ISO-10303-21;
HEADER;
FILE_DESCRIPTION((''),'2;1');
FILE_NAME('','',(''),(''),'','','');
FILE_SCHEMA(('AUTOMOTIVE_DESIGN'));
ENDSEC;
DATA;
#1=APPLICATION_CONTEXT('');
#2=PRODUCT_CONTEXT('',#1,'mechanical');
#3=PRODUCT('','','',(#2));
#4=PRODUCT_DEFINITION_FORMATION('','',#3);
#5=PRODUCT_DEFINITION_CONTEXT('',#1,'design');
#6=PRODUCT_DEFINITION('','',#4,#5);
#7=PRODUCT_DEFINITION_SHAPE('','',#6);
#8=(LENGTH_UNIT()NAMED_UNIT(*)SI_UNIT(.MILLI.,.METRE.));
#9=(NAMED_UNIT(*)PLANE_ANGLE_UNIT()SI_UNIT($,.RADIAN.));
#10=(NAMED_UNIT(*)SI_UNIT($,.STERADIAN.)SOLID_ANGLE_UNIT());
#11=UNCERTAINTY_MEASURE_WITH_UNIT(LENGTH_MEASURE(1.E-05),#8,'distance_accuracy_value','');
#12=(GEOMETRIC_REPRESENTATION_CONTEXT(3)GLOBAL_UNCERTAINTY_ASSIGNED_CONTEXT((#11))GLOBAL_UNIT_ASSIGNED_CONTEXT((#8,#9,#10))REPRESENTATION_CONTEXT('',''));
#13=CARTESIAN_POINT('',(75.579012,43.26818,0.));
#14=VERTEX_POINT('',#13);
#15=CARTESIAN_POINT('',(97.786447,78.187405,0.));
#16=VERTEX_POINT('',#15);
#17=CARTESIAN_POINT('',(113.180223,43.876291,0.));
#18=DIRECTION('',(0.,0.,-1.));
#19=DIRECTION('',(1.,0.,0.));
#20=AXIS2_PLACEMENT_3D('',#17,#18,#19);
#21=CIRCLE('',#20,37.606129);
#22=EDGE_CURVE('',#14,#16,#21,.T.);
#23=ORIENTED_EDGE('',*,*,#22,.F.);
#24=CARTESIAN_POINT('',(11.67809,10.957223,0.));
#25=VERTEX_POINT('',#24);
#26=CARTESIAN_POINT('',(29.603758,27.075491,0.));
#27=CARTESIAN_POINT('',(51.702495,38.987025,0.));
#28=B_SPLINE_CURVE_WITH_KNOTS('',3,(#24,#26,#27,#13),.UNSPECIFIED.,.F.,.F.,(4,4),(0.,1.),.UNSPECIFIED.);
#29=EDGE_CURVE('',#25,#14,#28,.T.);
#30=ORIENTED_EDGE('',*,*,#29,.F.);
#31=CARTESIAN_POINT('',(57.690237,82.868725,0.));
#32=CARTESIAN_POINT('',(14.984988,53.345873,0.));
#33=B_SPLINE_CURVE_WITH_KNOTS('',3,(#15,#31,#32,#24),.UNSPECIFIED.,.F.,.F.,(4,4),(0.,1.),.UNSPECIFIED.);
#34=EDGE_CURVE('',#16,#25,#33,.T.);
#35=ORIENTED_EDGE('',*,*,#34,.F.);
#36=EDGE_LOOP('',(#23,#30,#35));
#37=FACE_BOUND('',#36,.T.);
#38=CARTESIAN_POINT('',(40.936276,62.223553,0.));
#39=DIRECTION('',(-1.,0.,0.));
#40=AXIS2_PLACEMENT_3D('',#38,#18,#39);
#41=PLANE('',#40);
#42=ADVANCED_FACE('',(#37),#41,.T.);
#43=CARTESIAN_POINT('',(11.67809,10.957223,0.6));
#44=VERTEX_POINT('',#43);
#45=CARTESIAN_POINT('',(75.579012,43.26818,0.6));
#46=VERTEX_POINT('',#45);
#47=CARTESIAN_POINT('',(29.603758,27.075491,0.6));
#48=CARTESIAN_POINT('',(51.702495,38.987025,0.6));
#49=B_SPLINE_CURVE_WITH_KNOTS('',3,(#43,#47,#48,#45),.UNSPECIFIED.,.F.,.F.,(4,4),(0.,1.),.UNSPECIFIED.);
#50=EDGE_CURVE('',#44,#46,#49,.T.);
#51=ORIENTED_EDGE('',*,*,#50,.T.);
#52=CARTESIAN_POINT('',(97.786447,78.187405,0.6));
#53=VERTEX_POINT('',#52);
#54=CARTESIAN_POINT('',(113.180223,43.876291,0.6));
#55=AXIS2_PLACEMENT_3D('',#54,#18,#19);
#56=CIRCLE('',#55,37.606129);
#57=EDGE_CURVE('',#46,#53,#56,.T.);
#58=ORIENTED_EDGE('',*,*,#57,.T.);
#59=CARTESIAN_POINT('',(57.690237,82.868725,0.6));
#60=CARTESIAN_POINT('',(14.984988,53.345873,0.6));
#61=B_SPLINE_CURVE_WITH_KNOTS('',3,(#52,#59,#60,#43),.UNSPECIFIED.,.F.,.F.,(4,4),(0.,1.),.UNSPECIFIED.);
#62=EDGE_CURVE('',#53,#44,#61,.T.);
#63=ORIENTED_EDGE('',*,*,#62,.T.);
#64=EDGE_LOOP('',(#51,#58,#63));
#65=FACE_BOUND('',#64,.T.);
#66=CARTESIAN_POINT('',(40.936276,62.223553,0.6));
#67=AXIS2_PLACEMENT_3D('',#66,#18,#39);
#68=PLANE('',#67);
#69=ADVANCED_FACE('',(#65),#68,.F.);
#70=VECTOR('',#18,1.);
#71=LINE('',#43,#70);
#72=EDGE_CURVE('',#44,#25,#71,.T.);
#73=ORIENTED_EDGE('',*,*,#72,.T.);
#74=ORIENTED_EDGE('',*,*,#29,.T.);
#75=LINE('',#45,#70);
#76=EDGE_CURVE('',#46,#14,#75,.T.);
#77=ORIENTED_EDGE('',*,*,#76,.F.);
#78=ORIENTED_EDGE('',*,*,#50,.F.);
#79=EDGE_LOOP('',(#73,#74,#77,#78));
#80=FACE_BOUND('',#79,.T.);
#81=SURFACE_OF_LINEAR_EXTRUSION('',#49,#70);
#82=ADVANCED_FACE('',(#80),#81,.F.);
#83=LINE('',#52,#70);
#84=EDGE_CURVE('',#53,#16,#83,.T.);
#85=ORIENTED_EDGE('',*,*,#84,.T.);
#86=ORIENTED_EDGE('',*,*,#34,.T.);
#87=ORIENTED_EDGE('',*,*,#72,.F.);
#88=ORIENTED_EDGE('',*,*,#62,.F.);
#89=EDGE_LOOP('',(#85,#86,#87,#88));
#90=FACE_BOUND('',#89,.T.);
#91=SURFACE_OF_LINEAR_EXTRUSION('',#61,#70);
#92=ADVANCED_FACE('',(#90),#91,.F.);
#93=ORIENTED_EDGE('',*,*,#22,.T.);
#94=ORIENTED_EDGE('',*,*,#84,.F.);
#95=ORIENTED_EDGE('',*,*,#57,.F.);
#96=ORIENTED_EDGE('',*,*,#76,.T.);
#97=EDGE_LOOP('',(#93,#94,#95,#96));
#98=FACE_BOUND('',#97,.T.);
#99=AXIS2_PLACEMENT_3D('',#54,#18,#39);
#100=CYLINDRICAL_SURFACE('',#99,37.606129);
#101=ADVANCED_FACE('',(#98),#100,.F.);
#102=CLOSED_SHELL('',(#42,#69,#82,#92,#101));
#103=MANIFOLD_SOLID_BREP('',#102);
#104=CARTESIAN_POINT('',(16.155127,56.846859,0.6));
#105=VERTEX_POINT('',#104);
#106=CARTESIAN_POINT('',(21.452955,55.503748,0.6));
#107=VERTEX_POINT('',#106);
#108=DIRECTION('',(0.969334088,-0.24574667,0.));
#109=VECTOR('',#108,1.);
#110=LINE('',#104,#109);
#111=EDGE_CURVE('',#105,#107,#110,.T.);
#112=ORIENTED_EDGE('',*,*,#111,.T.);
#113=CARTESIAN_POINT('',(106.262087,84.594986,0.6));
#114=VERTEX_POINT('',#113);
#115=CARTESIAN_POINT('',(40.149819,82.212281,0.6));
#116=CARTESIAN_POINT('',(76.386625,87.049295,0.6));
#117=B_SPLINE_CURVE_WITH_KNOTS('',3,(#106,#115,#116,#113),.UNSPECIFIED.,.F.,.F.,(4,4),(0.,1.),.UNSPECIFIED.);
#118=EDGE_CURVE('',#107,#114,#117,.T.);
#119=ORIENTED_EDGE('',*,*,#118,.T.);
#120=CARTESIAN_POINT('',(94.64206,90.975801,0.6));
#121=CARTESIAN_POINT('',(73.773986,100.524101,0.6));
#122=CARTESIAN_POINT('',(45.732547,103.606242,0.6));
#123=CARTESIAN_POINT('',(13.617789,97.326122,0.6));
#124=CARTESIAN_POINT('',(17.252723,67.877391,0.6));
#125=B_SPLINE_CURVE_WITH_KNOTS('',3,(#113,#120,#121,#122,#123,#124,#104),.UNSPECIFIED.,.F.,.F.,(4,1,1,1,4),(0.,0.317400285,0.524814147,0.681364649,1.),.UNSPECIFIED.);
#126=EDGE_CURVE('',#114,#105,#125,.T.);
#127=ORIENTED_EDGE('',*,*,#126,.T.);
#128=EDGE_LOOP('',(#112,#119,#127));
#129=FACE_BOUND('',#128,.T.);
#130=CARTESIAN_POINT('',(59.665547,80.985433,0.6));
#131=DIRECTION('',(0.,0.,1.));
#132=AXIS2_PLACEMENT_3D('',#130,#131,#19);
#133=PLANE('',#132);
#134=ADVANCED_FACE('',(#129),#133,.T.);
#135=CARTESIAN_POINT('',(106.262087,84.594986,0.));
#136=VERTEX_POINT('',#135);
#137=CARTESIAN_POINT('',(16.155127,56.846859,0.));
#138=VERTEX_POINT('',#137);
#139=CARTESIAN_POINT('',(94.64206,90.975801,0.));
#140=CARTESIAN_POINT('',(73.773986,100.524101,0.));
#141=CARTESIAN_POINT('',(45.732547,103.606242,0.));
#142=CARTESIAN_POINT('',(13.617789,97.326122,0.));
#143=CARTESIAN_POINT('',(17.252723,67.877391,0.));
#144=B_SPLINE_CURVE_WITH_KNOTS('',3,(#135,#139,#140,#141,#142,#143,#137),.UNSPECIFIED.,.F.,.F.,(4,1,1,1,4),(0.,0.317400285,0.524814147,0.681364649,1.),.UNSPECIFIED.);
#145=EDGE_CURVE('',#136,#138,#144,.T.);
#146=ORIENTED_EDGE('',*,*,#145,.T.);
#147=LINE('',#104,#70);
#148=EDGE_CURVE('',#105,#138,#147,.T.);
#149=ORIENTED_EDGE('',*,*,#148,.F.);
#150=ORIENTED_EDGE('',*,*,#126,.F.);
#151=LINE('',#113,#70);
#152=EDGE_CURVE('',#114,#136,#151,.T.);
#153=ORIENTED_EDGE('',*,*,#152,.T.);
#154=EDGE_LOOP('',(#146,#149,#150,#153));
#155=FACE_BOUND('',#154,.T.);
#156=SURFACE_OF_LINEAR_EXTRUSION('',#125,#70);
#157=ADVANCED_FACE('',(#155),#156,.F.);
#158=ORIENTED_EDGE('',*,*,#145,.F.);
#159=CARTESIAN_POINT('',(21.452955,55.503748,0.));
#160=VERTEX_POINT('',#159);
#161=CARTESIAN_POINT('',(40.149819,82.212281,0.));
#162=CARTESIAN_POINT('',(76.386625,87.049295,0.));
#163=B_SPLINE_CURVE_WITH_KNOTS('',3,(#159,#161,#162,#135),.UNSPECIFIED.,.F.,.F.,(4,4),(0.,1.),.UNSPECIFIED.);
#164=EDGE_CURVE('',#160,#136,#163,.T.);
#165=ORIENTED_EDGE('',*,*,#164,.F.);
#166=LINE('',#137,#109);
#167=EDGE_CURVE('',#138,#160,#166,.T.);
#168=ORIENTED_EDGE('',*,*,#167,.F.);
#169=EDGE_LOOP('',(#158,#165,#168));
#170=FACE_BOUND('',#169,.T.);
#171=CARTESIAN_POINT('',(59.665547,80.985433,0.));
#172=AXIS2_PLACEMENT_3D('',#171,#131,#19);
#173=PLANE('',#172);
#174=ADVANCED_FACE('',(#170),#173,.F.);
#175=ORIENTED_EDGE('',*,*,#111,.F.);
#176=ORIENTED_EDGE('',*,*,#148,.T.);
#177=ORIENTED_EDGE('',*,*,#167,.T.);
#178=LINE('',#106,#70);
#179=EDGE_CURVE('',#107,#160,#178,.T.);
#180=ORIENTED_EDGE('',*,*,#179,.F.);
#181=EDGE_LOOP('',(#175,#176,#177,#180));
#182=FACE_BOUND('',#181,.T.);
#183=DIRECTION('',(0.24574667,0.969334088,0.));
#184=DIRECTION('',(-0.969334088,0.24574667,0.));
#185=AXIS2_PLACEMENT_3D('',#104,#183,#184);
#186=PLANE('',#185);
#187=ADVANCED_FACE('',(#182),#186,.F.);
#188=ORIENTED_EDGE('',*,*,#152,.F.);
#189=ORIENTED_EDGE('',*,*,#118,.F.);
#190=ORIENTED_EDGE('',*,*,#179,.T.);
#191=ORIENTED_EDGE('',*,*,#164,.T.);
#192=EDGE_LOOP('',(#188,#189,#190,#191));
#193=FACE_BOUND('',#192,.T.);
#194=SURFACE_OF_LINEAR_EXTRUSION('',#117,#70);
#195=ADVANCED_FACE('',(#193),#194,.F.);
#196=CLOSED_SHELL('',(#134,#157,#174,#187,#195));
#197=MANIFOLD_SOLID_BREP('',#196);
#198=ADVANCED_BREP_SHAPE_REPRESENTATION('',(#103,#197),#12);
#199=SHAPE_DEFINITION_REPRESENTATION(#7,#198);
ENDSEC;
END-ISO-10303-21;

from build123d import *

# Parameters (mm, degrees)
EXTRUDE_1_DEPTH   = 0.6
EXTRUDE_1_2_DEPTH = 0.6


with BuildPart() as part:
    # 草图1 → 凸台-拉伸1 (new body)
    with BuildSketch(Plane.XY):
        with BuildLine():
            Line((16.15512727, 56.846859008), (21.452955127, 55.503747721))
            add(Edge.make_bspline(
                [(21.452955127, 55.503747721), (40.149818623, 82.212281294), (76.38662472, 87.049295069), (106.262087238, 84.5949857)],
                knots=[0, 0, 0, 0, 1, 1, 1, 1], degree=3))
            add(Edge.make_bspline(
                [(106.262087238, 84.5949857), (94.642059919, 90.975800839), (73.77398567, 100.524100711), (45.73254736, 103.606241894), (13.617789334, 97.326121883), (17.25272253, 67.877391354), (16.15512727, 56.846859008)],
                knots=[0, 0, 0, 0, 0.317400285, 0.524814147, 0.681364649, 1, 1, 1, 1], degree=3))
        make_face()
    extrude(amount=EXTRUDE_1_DEPTH)


with BuildPart() as body_2:
    # 草图1 → Extrude 1 2 (new body)
    with BuildSketch(Plane.XY):
        with BuildLine():
            ThreePointArc((97.78644664, 78.187405023), (81.447664837, 64.057114443), (75.57901186, 43.268179529))
            add(Edge.make_bspline(
                [(11.678089645, 10.957223348), (29.603758399, 27.075491347), (51.702494837, 38.987024657), (75.57901186, 43.268179529)],
                knots=[0, 0, 0, 0, 1, 1, 1, 1], degree=3))
            add(Edge.make_bspline(
                [(97.78644664, 78.187405023), (57.690236829, 82.868725074), (14.984988135, 53.345872874), (11.678089645, 10.957223348)],
                knots=[0, 0, 0, 0, 1, 1, 1, 1], degree=3))
        make_face()
    extrude(amount=EXTRUDE_1_2_DEPTH)


solid = Compound([part.part, body_2.part])
